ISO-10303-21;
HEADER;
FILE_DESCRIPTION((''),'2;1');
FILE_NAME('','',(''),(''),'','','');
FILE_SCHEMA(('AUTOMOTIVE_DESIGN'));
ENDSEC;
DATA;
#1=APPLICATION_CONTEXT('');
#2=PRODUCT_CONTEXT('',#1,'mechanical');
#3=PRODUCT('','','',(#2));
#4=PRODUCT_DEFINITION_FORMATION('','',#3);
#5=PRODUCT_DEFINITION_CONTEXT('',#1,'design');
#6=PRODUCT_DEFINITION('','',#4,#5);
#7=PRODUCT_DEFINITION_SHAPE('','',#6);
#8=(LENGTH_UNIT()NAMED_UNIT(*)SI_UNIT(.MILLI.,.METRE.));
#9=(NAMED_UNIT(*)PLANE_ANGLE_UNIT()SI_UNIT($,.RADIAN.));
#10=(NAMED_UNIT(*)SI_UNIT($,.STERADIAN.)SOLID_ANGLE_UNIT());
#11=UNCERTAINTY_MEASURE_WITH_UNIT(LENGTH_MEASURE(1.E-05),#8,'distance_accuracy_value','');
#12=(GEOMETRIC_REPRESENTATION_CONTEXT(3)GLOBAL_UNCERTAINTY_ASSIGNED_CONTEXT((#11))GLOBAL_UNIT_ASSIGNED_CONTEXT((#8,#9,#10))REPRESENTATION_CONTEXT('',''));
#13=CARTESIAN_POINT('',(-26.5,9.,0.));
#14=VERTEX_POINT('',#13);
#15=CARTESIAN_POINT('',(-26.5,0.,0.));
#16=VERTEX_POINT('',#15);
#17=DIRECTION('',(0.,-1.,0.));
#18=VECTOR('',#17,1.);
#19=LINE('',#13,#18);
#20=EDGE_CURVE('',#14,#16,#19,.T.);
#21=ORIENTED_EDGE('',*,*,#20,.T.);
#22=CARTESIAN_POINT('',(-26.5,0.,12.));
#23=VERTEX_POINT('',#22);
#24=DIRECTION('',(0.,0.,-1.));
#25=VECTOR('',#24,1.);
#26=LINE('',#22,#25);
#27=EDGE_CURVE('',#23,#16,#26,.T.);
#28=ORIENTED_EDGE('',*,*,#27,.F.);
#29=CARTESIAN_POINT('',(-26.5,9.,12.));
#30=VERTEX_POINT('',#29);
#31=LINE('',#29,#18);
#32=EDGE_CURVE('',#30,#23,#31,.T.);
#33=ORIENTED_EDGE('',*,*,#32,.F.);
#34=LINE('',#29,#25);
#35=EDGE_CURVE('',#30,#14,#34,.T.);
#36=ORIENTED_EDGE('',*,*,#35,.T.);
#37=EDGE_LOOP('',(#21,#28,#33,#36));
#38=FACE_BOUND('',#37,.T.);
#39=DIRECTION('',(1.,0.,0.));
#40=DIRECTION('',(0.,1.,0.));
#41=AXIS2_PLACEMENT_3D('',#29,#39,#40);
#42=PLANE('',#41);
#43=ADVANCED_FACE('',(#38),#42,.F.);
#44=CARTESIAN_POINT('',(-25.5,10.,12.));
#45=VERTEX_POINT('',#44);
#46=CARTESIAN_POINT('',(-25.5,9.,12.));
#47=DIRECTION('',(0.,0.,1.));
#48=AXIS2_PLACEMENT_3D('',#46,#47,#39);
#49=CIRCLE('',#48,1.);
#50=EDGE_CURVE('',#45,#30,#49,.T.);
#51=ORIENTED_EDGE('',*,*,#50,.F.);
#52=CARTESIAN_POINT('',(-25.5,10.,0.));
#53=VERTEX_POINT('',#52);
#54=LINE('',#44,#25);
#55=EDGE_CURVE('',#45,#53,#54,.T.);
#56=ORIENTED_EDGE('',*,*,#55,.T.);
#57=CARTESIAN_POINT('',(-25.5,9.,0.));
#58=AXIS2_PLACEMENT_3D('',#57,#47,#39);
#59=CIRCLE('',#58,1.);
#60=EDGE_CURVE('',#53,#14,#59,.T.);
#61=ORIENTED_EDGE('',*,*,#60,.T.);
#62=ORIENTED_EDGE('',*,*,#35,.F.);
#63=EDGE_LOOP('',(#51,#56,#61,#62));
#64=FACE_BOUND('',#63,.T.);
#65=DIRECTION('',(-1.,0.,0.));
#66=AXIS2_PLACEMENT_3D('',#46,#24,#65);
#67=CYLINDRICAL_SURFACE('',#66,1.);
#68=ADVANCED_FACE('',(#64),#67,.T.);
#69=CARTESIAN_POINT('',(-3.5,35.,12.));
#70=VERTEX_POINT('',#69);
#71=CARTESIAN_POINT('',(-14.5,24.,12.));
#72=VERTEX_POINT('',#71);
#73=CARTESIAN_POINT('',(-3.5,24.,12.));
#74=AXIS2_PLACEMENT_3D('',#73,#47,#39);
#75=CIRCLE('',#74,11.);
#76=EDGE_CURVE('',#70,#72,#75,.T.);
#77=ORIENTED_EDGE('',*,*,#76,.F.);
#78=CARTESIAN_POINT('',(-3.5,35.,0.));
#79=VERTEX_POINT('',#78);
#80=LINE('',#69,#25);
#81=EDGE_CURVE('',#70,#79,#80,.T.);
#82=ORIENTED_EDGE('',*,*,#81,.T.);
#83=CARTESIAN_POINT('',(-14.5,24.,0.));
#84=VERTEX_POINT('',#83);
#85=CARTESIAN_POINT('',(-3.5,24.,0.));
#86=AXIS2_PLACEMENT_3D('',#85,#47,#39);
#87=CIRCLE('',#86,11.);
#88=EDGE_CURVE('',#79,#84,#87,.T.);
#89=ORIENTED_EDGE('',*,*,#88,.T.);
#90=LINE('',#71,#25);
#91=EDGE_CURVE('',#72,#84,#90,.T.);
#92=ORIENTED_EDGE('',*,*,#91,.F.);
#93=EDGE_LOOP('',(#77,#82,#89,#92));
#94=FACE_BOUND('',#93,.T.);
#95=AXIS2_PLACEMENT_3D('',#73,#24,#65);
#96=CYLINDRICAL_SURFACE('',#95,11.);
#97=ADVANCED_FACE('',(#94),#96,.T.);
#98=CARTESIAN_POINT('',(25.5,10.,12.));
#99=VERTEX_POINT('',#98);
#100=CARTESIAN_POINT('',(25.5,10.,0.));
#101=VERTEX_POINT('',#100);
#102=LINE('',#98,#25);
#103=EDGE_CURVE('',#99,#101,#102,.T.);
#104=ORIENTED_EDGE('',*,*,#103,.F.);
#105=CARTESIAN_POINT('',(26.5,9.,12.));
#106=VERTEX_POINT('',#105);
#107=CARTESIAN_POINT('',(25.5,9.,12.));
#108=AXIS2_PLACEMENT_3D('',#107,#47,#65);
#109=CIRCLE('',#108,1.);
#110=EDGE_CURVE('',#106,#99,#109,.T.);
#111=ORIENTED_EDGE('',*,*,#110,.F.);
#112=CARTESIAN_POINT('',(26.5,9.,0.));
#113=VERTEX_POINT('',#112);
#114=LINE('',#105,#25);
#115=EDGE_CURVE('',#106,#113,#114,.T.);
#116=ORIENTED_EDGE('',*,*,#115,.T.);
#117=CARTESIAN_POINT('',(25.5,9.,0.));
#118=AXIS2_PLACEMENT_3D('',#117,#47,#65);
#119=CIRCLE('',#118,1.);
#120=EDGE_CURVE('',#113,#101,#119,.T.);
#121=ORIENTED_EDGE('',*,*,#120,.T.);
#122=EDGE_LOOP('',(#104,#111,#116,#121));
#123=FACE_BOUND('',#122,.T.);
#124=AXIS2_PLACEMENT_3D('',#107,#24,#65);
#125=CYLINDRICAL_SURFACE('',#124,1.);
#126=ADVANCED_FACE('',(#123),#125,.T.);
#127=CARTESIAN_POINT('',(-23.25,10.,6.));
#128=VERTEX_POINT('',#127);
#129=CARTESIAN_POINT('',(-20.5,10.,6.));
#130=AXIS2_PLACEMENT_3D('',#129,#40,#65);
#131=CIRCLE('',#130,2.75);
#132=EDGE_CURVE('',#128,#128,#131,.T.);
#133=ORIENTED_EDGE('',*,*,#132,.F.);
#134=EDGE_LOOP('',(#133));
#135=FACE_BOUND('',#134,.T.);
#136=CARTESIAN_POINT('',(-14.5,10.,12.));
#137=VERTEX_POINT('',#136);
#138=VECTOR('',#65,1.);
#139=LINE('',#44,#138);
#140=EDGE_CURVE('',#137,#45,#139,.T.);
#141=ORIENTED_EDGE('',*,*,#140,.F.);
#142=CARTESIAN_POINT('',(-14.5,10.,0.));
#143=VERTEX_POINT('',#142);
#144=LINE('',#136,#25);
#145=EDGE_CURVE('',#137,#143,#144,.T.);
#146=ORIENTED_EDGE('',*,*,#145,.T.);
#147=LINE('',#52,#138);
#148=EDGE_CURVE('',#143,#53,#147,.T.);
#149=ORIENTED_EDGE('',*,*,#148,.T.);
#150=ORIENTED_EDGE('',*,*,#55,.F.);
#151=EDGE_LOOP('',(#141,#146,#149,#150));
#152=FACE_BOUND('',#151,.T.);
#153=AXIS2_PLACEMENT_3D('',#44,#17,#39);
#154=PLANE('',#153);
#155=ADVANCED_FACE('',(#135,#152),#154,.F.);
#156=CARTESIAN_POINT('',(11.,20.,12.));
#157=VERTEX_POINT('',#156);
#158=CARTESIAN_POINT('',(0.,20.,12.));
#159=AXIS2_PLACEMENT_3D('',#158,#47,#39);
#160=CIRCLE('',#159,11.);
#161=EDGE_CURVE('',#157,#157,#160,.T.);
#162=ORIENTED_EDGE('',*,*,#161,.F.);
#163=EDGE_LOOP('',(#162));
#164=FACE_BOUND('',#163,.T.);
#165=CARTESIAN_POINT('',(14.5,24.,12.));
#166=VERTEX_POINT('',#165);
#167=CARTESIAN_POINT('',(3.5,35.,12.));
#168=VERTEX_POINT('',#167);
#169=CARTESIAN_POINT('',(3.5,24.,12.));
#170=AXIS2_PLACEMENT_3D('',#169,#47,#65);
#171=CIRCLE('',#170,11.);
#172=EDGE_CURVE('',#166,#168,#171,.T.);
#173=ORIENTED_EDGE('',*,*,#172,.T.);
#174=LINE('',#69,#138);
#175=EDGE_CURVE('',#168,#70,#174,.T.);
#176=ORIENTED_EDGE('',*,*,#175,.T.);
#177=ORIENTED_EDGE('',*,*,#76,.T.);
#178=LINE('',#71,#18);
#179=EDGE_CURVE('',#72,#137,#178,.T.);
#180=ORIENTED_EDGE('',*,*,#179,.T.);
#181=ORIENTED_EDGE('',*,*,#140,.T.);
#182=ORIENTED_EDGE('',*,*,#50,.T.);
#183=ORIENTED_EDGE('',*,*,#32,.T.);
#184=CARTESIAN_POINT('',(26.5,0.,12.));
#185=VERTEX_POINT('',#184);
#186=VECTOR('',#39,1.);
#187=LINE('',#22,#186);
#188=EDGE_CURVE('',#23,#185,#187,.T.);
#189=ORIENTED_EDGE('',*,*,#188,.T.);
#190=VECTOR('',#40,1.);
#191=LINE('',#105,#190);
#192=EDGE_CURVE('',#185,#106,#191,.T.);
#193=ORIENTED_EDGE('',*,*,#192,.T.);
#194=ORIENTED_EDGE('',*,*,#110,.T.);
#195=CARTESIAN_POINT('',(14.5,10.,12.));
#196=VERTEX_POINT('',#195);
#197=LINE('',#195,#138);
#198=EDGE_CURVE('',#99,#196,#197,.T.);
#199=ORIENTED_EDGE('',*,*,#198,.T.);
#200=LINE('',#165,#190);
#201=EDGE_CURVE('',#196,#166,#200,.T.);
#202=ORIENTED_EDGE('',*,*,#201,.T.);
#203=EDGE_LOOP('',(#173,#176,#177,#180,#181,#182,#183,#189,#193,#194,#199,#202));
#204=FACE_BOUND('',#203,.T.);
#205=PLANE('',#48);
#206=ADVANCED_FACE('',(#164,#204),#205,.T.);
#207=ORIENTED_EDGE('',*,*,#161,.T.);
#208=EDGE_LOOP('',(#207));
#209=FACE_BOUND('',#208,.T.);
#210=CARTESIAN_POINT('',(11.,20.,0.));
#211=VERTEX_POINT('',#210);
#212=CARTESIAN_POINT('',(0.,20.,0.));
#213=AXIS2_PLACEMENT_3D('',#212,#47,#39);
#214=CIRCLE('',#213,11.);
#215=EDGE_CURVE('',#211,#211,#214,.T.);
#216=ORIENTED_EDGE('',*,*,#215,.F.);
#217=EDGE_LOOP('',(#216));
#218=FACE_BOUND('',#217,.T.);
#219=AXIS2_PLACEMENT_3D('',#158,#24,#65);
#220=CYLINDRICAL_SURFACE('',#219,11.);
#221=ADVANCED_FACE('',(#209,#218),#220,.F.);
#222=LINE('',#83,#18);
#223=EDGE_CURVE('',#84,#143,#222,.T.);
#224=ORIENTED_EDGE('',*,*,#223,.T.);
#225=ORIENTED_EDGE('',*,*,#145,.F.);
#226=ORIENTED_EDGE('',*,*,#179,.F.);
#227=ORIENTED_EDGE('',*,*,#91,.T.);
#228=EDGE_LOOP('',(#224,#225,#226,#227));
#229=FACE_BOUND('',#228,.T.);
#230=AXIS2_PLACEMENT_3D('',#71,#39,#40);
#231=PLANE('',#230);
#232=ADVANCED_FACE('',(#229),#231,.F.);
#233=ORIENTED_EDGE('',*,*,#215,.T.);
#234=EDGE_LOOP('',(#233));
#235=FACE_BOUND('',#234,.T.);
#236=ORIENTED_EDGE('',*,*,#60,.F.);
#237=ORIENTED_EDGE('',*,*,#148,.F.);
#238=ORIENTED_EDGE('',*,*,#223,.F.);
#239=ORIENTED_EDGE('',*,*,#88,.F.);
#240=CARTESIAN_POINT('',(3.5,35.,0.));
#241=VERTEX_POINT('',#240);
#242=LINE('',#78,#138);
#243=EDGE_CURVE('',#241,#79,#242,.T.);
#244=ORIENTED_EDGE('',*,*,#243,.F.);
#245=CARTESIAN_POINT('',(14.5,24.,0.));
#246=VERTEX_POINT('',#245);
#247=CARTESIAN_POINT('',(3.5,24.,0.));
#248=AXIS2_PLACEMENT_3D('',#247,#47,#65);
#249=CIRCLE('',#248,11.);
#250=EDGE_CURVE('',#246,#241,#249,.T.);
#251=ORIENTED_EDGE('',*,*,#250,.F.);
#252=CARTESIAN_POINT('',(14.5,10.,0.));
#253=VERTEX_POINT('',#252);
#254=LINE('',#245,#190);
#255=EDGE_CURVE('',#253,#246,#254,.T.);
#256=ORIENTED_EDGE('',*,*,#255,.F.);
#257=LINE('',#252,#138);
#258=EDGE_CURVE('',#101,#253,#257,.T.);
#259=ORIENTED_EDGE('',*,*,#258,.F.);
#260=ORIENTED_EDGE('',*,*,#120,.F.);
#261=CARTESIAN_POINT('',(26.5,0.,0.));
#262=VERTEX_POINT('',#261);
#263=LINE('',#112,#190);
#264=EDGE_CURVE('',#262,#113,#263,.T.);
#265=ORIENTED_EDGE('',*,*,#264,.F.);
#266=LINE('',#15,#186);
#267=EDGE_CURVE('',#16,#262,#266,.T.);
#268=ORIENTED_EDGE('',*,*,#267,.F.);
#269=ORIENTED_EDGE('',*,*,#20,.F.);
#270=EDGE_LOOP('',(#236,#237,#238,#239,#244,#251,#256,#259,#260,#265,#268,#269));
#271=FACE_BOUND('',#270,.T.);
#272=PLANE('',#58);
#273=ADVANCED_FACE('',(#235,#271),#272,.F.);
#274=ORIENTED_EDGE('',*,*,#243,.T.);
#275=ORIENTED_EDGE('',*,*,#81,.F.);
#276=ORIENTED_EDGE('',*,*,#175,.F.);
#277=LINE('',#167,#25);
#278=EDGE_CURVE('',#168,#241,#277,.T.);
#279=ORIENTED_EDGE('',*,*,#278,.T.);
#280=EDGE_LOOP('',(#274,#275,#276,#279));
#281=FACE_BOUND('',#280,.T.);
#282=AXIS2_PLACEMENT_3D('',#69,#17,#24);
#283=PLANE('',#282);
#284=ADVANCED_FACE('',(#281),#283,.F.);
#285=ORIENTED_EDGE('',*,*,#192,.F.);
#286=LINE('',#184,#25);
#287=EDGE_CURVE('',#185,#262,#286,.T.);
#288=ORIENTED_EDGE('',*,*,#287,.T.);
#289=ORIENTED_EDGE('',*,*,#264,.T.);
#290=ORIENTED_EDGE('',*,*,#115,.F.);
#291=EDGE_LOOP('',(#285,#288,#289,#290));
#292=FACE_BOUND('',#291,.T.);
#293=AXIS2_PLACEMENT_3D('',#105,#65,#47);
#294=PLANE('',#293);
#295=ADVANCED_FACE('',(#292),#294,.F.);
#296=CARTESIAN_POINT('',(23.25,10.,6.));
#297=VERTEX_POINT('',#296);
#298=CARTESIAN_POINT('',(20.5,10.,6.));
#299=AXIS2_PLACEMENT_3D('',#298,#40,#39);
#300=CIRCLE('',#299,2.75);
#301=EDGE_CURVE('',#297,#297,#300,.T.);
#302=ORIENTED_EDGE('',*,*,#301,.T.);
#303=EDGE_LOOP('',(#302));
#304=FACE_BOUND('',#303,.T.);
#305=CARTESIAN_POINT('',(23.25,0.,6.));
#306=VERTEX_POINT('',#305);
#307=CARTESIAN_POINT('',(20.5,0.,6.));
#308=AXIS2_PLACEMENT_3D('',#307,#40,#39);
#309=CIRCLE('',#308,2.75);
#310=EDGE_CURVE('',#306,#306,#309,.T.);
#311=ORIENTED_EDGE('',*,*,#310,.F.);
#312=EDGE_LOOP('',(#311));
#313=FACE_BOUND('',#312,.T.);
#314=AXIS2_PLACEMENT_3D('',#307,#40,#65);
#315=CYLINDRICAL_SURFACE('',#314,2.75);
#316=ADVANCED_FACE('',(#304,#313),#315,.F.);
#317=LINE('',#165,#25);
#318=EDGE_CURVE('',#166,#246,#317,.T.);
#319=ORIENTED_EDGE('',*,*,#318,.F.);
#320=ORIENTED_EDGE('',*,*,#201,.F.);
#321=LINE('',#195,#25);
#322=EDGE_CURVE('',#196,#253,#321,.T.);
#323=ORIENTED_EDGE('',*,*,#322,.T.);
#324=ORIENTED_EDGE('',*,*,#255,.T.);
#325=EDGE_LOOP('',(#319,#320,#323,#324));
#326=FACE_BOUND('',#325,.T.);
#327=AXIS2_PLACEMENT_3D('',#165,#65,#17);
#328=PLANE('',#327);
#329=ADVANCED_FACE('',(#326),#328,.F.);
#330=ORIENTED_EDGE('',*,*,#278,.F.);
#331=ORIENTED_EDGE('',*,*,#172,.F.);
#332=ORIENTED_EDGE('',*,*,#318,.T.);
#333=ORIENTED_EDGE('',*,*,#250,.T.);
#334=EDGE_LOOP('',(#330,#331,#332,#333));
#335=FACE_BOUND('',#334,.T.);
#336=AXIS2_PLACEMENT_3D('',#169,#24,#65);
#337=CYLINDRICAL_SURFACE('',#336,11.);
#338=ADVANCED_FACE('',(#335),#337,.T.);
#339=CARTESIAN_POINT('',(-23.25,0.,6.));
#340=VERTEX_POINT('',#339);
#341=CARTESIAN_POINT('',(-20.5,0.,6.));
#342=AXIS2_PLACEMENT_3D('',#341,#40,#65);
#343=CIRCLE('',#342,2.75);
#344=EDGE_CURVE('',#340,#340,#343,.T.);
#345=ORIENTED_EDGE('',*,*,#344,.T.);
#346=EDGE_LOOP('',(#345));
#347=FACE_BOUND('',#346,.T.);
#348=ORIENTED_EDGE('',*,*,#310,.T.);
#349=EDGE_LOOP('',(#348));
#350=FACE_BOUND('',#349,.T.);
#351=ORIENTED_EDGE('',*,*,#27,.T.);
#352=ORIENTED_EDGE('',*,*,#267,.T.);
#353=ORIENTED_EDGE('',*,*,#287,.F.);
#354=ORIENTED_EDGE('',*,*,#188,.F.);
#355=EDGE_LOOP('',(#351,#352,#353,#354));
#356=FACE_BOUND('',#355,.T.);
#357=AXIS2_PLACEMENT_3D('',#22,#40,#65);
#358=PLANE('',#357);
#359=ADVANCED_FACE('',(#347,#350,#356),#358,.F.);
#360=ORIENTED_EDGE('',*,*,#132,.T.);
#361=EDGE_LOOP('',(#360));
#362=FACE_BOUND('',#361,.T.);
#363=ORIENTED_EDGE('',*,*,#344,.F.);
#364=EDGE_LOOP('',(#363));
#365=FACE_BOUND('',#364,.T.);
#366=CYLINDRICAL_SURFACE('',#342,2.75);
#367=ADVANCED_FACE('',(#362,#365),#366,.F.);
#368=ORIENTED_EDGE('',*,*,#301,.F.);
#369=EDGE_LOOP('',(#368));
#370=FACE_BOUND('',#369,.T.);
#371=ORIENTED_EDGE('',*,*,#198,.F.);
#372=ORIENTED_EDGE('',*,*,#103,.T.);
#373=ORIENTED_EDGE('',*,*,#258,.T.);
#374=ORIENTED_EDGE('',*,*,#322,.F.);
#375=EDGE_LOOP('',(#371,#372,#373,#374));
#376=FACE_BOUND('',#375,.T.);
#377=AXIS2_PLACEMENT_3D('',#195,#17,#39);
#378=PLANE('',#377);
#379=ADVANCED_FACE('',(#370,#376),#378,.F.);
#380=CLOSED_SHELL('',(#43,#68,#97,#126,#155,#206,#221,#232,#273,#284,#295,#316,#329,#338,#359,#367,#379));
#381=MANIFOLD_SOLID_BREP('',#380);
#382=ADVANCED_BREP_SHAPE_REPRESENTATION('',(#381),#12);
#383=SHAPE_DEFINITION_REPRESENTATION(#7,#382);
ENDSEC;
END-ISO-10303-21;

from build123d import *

# Parameters (mm, degrees)
SKETCH_1_R          = 11
EXTRUDE_1_DEPTH     = 12
SKETCH_2_R          = 2.75
CUT_EXTRUDE_1_DEPTH = 39.356876828


with BuildPart() as part:
    # 草图1 → 凸台-拉伸1 (new body)
    with BuildSketch(Plane.XY):
        with BuildLine():
            Line((14.5, 10), (25.5, 10))
            ThreePointArc((25.5, 10), (26.207106781, 9.707106781), (26.5, 9))
            Line((26.5, 9), (26.5, 0))
            Line((26.5, 0), (-26.5, 0))
            Line((-26.5, 0), (-26.5, 9))
            ThreePointArc((-26.5, 9), (-26.207106781, 9.707106781), (-25.5, 10))
            Line((-25.5, 10), (-14.5, 10))
            Line((-14.5, 10), (-14.5, 24))
            ThreePointArc((-14.5, 24), (-11.278174593, 31.778174593), (-3.5, 35))
            Line((-3.5, 35), (3.5, 35))
            ThreePointArc((3.5, 35), (11.278174593, 31.778174593), (14.5, 24))
            Line((14.5, 24), (14.5, 10))
        make_face()
        with Locations((0, 20)):
            Circle(SKETCH_1_R, mode=Mode.SUBTRACT)
    extrude(amount=EXTRUDE_1_DEPTH)

    # 草图2 → 切除-拉伸1 (cut, through all)
    with BuildSketch(Plane(origin=(0, 10, 0), x_dir=(1, 0, 0), z_dir=(0, 1, 0))):
        with Locations(Location((-20.5, -6, 0), (0, 0, 180))):
            Circle(SKETCH_2_R)
        with Locations((20.5, -6)):
            Circle(SKETCH_2_R)
    extrude(amount=-CUT_EXTRUDE_1_DEPTH, mode=Mode.SUBTRACT)


solid = part.part
